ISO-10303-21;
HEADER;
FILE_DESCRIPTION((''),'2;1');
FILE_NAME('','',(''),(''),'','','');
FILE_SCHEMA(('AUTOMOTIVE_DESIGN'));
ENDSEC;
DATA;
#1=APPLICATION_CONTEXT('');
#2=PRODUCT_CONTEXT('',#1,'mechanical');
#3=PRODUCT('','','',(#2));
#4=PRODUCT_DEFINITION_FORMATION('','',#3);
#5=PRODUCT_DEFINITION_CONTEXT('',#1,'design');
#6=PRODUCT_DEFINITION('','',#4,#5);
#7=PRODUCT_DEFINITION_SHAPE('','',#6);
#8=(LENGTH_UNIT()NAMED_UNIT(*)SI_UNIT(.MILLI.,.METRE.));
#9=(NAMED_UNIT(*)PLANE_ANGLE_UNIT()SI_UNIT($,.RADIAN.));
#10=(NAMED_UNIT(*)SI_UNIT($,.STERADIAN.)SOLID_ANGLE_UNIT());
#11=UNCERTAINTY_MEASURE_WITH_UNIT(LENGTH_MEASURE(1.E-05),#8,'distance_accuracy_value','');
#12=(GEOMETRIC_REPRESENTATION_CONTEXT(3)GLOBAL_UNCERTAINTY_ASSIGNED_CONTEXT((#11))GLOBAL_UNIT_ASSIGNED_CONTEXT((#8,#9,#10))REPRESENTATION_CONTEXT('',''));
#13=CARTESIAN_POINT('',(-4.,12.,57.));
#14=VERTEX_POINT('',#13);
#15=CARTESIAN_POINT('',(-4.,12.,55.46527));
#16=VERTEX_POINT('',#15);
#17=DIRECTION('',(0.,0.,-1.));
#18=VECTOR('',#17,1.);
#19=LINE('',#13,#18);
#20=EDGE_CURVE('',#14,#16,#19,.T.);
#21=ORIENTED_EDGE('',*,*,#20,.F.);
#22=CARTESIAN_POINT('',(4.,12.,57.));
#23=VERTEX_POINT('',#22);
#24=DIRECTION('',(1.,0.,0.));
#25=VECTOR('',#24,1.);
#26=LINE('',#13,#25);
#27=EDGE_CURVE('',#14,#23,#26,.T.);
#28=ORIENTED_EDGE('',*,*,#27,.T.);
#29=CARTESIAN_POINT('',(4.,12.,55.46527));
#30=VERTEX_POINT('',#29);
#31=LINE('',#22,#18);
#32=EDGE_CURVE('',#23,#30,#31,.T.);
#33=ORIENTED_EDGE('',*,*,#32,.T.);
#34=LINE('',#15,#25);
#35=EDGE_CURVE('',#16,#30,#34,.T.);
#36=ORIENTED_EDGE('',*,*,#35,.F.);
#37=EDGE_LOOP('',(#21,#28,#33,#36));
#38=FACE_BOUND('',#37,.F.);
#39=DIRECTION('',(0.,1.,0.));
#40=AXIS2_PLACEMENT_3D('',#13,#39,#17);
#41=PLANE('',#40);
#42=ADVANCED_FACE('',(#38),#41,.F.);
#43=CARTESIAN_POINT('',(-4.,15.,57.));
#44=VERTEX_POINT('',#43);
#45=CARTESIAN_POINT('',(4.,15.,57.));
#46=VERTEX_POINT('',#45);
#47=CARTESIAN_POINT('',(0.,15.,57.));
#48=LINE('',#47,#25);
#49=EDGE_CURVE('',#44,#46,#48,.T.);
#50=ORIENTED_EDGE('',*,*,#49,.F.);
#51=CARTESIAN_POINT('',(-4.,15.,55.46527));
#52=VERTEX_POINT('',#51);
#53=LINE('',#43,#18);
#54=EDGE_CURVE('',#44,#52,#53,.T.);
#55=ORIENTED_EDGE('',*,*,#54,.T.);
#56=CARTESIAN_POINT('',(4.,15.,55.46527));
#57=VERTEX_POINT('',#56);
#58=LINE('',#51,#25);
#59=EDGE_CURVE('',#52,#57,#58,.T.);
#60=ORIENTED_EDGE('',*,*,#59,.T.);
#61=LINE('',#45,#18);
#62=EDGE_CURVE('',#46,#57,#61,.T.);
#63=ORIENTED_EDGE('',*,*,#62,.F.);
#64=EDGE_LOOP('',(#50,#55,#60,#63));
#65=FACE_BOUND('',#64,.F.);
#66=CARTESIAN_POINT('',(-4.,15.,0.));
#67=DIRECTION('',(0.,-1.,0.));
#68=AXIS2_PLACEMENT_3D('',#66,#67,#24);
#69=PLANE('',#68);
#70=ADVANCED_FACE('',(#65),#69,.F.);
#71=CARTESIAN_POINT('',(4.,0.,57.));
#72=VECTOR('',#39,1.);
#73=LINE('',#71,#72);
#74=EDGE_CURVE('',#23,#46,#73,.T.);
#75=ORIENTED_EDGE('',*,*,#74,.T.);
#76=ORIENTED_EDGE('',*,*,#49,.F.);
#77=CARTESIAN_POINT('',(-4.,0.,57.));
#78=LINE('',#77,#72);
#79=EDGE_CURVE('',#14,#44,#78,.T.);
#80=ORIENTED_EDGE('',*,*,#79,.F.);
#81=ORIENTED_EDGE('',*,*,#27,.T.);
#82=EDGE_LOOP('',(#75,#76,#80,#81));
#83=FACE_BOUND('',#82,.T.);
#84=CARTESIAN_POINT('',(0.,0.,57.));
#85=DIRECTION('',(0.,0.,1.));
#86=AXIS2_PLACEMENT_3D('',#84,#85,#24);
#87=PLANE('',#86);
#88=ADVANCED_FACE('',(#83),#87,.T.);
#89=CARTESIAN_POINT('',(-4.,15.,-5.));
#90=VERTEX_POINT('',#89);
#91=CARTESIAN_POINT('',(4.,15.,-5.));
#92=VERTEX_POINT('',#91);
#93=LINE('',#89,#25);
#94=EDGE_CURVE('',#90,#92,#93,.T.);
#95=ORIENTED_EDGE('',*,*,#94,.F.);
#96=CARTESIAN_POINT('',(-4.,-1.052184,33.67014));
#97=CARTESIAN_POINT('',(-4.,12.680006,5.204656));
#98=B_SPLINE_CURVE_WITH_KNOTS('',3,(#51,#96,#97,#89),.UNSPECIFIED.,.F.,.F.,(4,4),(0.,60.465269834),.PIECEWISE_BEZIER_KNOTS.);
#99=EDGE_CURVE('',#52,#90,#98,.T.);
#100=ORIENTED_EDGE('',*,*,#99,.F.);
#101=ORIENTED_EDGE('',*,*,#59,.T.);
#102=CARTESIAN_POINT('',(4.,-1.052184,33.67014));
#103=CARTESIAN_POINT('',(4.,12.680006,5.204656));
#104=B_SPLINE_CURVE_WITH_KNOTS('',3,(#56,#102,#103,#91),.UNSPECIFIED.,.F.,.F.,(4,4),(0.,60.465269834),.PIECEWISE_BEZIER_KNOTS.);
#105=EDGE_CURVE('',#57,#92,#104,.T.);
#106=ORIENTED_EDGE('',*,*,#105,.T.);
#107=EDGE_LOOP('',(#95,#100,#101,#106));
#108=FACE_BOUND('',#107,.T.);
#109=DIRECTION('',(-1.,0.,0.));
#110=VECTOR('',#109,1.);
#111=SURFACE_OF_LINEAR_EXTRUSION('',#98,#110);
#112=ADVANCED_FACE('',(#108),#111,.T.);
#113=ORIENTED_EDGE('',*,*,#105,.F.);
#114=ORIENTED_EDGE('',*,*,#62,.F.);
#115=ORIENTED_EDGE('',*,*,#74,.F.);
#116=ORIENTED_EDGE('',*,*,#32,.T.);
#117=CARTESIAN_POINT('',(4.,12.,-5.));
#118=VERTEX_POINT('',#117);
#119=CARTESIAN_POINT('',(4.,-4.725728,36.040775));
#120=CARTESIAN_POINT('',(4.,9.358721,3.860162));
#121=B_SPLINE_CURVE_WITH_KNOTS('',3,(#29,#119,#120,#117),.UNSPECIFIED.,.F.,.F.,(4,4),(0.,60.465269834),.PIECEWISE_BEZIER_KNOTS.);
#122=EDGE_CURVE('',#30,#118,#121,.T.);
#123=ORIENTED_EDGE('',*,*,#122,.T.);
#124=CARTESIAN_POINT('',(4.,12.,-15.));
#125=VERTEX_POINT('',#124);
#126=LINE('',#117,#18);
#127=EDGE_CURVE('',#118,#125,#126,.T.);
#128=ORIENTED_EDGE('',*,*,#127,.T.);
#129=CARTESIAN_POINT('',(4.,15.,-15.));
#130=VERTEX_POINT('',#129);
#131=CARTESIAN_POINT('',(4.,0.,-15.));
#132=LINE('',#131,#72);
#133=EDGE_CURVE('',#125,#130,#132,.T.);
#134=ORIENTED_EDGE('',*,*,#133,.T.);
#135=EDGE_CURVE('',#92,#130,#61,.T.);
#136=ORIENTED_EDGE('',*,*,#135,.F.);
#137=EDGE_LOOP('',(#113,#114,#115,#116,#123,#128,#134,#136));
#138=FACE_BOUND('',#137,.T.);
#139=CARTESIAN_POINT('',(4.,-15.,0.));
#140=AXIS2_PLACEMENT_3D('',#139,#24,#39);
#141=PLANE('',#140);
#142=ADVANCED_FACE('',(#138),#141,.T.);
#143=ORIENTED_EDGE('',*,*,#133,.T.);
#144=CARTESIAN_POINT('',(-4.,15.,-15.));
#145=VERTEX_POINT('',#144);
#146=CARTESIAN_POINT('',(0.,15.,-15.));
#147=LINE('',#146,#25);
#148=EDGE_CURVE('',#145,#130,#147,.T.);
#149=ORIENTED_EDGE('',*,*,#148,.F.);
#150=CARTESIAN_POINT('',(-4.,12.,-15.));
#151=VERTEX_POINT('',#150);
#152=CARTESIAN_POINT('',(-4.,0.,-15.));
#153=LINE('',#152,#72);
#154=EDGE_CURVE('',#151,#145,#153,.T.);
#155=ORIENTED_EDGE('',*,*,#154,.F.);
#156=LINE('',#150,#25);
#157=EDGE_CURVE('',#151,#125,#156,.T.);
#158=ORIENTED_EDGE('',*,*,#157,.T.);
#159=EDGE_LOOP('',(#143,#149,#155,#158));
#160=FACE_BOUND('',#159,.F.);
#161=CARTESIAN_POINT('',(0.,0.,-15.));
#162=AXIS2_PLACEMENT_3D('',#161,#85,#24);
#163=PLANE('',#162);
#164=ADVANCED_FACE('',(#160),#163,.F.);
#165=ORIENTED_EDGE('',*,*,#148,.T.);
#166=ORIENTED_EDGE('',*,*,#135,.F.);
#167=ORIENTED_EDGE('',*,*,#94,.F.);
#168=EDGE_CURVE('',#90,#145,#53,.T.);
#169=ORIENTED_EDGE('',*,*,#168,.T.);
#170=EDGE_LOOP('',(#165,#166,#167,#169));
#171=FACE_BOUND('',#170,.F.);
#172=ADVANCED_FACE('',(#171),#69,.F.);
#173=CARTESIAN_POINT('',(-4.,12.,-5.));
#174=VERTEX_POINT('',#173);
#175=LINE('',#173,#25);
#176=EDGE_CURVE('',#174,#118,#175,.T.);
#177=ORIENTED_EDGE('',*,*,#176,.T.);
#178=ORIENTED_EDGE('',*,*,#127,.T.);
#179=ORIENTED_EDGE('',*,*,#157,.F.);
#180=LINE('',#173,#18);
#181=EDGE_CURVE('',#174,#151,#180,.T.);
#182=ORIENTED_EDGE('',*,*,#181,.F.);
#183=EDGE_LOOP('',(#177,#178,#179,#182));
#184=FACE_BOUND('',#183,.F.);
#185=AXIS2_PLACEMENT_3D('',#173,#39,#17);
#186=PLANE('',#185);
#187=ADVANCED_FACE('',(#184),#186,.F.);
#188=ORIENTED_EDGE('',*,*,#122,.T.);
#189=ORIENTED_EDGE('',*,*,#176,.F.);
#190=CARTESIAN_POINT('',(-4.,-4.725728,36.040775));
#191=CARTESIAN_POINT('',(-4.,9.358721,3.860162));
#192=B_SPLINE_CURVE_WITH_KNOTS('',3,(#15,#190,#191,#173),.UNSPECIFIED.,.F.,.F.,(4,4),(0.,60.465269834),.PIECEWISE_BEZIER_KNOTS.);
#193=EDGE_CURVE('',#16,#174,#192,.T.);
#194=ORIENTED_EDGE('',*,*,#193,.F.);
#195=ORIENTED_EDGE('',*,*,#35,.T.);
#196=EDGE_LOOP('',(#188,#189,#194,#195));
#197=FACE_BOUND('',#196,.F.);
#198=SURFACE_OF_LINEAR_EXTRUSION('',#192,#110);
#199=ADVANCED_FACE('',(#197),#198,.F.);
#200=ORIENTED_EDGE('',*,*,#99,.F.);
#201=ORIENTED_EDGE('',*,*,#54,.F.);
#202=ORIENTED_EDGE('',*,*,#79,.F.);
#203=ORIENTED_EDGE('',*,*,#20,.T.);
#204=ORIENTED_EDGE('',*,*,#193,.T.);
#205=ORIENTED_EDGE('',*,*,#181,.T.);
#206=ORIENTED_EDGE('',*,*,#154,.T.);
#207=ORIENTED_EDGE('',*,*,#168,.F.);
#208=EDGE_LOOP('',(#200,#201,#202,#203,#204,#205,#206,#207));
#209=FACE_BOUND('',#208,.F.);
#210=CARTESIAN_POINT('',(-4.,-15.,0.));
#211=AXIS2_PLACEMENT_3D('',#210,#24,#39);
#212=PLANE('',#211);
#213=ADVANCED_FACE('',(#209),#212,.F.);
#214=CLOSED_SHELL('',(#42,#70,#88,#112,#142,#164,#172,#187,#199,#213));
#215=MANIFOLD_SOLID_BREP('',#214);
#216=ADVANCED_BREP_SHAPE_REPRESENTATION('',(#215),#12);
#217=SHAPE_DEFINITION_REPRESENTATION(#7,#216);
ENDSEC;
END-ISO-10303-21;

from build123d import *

# Parameters (mm, degrees)
F0_W     = 8
F0_H     = 30
F1_DEPTH = 57
F2_DEPTH = 15
F4_DEPTH = 8


with BuildPart() as f1:
    # F0 (on Top) → F1 (new body)
    with BuildSketch(Plane.XY):
        Rectangle(F0_W, F0_H)
    extrude(amount=F1_DEPTH)

    # F2 (add): a face of the model
    f2_faces = [f1.faces().sort_by_distance(p)[0] for p in [
        (0, 0, 0),
    ]]
    extrude(f2_faces, amount=F2_DEPTH)

    # F3 (on face) → F4 (cut, through all)
    with BuildSketch(Plane(origin=(-4, 0, 0), x_dir=(0, -1, 0), z_dir=(-1, 0, 0))):
        with BuildLine():
            Line((15, 57), (-12, 57))
            Line((-12, 57), (-12, 55.4652698338))
            add(Edge.make_bspline(
                [(-12, 55.4652698338), (4.7257277183, 36.0407754779), (-9.3587208539, 3.8601619937), (-12, -5)],
                knots=[0, 0, 0, 0, 60.4652698338, 60.4652698338, 60.4652698338, 60.4652698338], degree=3))
            Line((-12, -5), (-12, -15))
            Line((-12, -15), (15, -15))
            Line((15, -15), (15, 57))
        make_face()
        with BuildLine():
            add(Edge.make_bspline(
                [(-15, 55.4652698338), (1.0521842632, 33.6701404303), (-12.6800062135, 5.2046555839), (-15, -5)],
                knots=[0, 0, 0, 0, 60.4652698338, 60.4652698338, 60.4652698338, 60.4652698338], degree=3))
            Line((-15, 55.4652698338), (-15, -5))
        make_face()
    extrude(amount=-F4_DEPTH, mode=Mode.SUBTRACT)


solid = f1.part
